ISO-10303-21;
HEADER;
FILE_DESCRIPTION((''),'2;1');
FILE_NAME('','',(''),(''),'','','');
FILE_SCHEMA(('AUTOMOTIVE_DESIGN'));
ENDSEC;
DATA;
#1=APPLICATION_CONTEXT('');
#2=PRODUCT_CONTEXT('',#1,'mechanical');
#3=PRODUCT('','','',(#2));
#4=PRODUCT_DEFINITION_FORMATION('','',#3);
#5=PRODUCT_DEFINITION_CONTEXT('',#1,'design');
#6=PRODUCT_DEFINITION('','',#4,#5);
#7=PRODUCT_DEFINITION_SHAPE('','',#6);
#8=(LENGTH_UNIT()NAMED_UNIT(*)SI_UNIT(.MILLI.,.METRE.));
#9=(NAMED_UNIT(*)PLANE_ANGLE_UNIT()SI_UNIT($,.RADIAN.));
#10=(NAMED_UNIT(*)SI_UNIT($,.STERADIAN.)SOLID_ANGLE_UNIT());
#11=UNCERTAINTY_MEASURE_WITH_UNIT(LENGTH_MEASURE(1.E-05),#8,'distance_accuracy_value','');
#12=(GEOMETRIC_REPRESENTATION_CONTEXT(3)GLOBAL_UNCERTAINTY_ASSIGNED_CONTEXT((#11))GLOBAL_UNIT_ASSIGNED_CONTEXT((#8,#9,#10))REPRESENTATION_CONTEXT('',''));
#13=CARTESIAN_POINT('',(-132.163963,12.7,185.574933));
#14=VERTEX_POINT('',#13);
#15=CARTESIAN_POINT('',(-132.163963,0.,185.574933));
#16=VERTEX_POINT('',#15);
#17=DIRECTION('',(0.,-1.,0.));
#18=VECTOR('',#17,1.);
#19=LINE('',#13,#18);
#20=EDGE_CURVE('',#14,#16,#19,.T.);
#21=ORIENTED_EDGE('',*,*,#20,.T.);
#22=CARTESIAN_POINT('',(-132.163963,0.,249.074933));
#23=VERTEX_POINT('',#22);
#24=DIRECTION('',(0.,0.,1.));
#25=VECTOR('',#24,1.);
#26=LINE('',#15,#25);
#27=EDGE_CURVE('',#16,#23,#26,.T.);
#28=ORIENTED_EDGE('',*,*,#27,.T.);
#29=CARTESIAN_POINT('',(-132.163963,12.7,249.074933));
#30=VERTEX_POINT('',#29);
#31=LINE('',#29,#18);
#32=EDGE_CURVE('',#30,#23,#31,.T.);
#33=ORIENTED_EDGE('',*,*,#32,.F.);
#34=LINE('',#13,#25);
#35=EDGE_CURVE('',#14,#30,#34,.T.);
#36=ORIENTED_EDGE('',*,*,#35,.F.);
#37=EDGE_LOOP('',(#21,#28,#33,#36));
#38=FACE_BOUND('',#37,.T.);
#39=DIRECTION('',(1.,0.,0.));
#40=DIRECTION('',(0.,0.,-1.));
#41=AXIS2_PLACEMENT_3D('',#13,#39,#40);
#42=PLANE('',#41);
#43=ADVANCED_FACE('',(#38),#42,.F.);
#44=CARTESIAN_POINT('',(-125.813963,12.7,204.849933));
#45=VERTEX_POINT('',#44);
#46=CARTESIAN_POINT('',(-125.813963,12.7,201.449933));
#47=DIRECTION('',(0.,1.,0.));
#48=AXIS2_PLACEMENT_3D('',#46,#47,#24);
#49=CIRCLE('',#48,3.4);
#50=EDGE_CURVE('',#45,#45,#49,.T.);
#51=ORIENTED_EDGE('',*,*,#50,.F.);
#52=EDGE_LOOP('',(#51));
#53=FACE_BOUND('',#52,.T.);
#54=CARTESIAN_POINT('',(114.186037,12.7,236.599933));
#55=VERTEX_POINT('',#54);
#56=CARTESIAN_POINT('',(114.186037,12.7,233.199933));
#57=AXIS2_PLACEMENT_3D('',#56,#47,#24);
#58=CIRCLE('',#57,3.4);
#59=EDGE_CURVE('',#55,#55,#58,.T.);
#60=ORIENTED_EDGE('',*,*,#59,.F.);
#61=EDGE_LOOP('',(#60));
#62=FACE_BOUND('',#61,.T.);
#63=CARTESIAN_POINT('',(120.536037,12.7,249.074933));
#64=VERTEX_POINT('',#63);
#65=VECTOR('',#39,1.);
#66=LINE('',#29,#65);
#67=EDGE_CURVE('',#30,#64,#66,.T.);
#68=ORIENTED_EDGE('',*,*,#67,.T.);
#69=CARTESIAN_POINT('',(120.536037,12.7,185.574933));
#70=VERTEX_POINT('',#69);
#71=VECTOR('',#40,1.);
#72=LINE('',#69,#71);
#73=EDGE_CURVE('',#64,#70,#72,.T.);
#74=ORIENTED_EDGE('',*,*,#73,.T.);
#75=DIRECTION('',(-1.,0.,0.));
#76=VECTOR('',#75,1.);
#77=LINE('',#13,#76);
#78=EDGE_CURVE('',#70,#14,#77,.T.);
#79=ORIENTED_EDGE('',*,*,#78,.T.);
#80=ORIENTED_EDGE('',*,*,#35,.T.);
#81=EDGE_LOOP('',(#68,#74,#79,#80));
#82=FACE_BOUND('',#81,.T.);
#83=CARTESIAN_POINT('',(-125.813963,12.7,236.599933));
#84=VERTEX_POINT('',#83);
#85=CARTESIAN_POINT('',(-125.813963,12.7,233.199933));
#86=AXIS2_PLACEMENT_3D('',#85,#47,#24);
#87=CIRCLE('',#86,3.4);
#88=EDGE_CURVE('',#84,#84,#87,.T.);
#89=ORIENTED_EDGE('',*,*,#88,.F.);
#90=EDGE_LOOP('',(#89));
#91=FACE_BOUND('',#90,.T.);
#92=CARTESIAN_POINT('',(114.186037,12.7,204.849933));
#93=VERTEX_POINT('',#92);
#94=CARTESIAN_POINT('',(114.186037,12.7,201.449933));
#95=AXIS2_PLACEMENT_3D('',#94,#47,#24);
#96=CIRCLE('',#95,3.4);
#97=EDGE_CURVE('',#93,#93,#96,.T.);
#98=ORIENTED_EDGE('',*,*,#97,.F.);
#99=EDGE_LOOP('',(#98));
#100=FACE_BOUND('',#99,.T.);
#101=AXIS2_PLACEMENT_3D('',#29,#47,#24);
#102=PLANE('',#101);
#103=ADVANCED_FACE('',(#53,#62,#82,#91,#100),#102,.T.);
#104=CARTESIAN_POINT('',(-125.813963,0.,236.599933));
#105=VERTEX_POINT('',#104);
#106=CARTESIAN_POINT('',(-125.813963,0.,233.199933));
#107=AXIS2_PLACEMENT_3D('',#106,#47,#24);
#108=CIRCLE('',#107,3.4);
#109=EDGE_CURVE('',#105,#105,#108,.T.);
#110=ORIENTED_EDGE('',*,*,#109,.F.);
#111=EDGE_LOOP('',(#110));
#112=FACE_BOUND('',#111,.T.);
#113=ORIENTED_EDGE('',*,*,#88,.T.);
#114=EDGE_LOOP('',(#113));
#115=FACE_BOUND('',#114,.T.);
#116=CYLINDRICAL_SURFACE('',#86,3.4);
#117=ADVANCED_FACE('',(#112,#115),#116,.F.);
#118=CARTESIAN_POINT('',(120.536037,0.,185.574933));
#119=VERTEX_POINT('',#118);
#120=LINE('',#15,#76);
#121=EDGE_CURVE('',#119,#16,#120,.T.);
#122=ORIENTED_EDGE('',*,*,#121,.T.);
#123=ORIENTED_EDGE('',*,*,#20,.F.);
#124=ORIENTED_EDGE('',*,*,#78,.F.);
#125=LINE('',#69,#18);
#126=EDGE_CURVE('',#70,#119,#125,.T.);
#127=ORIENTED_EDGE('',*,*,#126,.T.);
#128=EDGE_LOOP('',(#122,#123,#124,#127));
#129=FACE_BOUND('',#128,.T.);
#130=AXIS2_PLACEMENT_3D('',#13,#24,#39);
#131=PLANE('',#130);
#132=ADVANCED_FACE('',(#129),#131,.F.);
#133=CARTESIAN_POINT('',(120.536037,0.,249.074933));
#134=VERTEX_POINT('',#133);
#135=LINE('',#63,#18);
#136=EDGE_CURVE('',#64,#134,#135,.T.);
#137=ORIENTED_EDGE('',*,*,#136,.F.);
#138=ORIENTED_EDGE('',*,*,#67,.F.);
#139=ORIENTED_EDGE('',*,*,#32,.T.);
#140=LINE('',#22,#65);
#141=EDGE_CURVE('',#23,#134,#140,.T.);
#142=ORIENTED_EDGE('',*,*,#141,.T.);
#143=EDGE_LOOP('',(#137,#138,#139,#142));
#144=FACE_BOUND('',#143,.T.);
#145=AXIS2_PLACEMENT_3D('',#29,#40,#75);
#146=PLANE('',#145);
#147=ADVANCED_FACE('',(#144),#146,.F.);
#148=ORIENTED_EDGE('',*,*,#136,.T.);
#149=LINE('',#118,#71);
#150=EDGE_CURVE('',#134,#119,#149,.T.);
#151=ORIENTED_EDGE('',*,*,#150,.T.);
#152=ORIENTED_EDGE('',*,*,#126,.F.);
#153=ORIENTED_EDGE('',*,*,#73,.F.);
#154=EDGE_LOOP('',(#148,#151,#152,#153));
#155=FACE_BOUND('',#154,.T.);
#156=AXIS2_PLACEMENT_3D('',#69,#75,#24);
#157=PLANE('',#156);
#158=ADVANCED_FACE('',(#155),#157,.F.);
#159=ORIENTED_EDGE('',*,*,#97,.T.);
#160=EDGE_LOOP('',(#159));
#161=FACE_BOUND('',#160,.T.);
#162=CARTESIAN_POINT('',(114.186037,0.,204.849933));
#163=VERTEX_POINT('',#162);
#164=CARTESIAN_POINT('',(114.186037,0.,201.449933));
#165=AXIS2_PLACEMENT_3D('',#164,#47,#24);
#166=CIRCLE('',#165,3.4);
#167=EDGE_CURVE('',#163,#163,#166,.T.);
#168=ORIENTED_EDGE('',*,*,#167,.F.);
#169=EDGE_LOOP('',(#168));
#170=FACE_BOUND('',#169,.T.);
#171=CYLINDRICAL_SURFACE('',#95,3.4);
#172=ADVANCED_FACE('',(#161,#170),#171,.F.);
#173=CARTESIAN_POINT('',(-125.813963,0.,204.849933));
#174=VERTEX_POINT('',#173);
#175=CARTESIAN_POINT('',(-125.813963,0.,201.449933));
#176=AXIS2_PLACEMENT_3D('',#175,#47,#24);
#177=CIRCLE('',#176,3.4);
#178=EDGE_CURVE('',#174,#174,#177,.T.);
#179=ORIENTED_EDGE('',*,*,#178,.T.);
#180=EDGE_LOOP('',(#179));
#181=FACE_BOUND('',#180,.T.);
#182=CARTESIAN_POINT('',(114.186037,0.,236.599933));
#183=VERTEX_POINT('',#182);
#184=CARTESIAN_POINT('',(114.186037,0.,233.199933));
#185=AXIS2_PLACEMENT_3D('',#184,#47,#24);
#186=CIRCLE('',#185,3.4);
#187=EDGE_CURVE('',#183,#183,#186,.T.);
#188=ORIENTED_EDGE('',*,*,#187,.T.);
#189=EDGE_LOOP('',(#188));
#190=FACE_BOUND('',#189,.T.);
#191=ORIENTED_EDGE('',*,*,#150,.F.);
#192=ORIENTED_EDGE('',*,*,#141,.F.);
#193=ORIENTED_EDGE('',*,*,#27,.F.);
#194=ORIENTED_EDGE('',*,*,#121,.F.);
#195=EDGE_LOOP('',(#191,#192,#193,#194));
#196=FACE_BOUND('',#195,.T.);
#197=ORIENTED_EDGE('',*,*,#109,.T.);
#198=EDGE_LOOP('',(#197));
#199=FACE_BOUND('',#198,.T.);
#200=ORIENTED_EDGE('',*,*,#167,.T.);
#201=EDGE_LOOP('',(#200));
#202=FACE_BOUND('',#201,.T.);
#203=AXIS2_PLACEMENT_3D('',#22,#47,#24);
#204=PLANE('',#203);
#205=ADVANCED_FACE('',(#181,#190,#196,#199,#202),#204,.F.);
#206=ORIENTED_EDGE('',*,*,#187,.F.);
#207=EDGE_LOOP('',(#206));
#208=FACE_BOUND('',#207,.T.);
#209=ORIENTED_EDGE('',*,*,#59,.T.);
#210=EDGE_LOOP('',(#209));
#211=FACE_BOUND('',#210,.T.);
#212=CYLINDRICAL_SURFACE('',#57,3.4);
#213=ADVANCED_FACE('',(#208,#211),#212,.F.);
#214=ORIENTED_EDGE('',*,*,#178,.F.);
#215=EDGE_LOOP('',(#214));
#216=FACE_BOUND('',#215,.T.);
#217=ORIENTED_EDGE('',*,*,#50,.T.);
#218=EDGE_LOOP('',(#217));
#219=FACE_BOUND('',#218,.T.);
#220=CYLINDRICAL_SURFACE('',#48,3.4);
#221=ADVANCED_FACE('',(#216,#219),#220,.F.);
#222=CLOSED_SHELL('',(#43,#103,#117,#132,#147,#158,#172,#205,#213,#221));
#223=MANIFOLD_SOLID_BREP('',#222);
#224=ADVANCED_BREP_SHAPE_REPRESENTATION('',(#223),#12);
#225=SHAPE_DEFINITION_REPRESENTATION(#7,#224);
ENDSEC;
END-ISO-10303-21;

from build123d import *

# Parameters (mm, degrees)
SKETCH2_W                        = 252.7
SKETCH2_H                        = 63.5
BOSS_EXTRUDE2_DEPTH              = 12.7
TAP_DRILL_FOR_M8X1_25_TAP1_D     = 6.8
TAP_DRILL_FOR_M8X1_25_TAP1_DEPTH = 40
TAP_DRILL_FOR_M8X1_25_TAP1_TIP   = 2.042926105


with BuildPart() as part:
    # Sketch2 → Boss-Extrude2 (new body)
    with BuildSketch(Plane(origin=(0, 0, 0), x_dir=(1, 0, 0), z_dir=(0, 1, 0))):
        with Locations((-5.813963312, -217.324932993)):
            Rectangle(SKETCH2_W, SKETCH2_H)
    extrude(amount=BOSS_EXTRUDE2_DEPTH)

    # Tap Drill for M8x1.25 Tap1
    with Locations(Plane(origin=(-125.813963312, 12.7, 201.449932993), x_dir=(0, 0, 1), z_dir=(0, 1, 0))):
        with Locations((0, 0), (31.75, 0), (0, 240), (31.75, 240)):
            Hole(TAP_DRILL_FOR_M8X1_25_TAP1_D / 2, depth=TAP_DRILL_FOR_M8X1_25_TAP1_DEPTH)
            with Locations((0, 0, -(TAP_DRILL_FOR_M8X1_25_TAP1_DEPTH + TAP_DRILL_FOR_M8X1_25_TAP1_TIP / 2))):  # 118° drill point
                Cone(0, TAP_DRILL_FOR_M8X1_25_TAP1_D / 2, TAP_DRILL_FOR_M8X1_25_TAP1_TIP, mode=Mode.SUBTRACT)


solid = part.part
